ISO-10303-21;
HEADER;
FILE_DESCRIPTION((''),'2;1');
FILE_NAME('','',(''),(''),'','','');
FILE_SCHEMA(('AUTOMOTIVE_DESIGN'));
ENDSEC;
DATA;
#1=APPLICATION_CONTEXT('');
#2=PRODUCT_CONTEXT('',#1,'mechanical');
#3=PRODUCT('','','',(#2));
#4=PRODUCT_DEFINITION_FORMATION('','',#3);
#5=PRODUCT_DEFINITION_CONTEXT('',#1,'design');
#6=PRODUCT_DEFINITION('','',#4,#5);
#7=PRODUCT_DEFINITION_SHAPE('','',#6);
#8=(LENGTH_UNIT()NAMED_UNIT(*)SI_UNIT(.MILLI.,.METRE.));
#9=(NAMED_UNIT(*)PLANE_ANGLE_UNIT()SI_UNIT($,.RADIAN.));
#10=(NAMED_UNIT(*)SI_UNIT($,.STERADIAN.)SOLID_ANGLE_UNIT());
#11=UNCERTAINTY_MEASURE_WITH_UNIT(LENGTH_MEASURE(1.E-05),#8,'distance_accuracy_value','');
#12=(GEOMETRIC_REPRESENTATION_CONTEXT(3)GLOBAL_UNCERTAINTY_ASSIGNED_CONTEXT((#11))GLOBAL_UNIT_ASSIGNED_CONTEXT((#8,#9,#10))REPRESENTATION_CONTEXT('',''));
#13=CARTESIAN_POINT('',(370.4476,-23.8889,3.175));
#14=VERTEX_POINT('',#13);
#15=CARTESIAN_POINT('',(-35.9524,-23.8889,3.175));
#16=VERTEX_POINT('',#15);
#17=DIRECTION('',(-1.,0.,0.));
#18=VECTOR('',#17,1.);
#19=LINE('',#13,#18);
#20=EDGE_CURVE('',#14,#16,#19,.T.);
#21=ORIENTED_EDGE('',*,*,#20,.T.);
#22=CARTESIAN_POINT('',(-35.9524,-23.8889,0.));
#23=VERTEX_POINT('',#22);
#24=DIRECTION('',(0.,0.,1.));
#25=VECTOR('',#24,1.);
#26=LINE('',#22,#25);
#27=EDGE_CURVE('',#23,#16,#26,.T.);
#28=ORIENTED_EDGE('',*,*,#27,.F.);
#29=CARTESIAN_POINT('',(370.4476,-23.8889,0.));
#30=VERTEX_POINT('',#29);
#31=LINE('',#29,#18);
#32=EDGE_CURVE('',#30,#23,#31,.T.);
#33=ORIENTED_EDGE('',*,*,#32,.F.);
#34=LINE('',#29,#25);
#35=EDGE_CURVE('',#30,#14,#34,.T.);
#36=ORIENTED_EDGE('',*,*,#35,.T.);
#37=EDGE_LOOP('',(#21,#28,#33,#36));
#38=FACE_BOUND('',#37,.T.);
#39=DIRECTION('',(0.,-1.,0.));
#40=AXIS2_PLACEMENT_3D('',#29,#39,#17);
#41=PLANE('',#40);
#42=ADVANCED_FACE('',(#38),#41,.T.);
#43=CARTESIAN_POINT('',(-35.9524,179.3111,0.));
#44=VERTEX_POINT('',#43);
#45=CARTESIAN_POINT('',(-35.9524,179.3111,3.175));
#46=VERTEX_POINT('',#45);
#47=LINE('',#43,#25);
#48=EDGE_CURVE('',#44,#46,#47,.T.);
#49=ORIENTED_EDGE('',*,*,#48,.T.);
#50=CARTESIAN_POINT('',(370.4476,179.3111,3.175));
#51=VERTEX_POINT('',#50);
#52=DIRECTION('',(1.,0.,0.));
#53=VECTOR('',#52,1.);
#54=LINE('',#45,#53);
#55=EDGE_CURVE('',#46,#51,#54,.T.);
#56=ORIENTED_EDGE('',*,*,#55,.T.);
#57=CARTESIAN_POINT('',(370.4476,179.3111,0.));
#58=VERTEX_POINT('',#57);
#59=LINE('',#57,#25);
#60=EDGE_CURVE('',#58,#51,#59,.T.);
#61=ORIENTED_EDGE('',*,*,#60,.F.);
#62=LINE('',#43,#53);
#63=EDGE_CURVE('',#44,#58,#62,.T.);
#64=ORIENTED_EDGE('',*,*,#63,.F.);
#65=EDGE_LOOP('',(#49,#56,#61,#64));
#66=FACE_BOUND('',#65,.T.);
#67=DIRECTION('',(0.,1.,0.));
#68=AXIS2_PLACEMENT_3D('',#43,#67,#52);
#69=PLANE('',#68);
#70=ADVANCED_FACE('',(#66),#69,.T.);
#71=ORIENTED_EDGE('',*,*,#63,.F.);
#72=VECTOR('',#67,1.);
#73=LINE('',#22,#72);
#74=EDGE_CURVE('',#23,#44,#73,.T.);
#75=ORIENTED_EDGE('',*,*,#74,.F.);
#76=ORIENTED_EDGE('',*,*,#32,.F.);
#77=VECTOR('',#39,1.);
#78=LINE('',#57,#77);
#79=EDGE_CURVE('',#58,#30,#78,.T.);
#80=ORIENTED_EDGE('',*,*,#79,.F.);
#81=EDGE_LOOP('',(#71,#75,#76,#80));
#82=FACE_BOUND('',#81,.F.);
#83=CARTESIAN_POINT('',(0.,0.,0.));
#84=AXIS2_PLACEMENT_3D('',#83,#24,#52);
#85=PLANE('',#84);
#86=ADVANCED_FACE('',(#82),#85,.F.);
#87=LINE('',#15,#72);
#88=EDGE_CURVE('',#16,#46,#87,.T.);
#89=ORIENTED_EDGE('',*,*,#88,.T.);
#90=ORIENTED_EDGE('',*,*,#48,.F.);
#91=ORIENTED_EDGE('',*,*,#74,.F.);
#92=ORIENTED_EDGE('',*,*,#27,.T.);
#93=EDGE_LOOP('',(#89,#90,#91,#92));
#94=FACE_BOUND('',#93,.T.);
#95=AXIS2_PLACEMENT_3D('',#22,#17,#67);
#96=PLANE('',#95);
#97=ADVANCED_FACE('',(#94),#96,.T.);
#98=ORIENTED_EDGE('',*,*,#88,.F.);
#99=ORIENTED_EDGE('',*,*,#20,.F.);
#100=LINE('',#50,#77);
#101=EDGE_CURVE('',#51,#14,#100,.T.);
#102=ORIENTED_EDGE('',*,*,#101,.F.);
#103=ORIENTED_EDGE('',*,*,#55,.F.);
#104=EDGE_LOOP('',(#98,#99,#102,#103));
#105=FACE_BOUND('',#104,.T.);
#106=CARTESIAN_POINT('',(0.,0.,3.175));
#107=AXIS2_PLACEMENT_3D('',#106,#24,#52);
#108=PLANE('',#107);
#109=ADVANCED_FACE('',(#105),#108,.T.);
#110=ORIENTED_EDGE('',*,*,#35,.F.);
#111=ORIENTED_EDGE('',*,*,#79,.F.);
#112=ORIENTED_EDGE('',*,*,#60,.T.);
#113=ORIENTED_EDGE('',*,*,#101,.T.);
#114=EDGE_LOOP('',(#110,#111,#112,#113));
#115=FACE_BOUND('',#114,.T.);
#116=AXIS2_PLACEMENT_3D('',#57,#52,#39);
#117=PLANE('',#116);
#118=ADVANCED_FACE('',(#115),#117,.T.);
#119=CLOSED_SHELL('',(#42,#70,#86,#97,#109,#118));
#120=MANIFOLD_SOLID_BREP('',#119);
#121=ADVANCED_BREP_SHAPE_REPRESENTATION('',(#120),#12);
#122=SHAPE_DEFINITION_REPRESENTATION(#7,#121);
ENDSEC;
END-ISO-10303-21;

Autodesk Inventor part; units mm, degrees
ref_plane "YZ Plane" through (0, 0, 0) normal (1, 0, 0) x (0, 1, 0)
ref_plane "XZ Plane" through (0, 0, 0) normal (0, 1, 0) x (-1, 0, 0)
ref_plane "XY Plane" through (0, 0, 0) normal (0, 0, 1) x (1, 0, 0)
sketch "Sketch1" plane through (0, 0, 0) normal (0, 0, 1) x (1, 0, 0)
  line L0 (-35.9524, 179.3111) -> (370.4476, 179.3111)
  line L1 (370.4476, 179.3111) -> (370.4476, -23.8889)
  line L2 (370.4476, -23.8889) -> (-35.9524, -23.8889)
  line L3 (-35.9524, -23.8889) -> (-35.9524, 179.3111)
  dimension "d0" = 406.4
  dimension "d1" = 203.2
extrude "Extrusion1" add sketch "Sketch1" along normal blind 3.175
properties part number "FE-00004-10"
